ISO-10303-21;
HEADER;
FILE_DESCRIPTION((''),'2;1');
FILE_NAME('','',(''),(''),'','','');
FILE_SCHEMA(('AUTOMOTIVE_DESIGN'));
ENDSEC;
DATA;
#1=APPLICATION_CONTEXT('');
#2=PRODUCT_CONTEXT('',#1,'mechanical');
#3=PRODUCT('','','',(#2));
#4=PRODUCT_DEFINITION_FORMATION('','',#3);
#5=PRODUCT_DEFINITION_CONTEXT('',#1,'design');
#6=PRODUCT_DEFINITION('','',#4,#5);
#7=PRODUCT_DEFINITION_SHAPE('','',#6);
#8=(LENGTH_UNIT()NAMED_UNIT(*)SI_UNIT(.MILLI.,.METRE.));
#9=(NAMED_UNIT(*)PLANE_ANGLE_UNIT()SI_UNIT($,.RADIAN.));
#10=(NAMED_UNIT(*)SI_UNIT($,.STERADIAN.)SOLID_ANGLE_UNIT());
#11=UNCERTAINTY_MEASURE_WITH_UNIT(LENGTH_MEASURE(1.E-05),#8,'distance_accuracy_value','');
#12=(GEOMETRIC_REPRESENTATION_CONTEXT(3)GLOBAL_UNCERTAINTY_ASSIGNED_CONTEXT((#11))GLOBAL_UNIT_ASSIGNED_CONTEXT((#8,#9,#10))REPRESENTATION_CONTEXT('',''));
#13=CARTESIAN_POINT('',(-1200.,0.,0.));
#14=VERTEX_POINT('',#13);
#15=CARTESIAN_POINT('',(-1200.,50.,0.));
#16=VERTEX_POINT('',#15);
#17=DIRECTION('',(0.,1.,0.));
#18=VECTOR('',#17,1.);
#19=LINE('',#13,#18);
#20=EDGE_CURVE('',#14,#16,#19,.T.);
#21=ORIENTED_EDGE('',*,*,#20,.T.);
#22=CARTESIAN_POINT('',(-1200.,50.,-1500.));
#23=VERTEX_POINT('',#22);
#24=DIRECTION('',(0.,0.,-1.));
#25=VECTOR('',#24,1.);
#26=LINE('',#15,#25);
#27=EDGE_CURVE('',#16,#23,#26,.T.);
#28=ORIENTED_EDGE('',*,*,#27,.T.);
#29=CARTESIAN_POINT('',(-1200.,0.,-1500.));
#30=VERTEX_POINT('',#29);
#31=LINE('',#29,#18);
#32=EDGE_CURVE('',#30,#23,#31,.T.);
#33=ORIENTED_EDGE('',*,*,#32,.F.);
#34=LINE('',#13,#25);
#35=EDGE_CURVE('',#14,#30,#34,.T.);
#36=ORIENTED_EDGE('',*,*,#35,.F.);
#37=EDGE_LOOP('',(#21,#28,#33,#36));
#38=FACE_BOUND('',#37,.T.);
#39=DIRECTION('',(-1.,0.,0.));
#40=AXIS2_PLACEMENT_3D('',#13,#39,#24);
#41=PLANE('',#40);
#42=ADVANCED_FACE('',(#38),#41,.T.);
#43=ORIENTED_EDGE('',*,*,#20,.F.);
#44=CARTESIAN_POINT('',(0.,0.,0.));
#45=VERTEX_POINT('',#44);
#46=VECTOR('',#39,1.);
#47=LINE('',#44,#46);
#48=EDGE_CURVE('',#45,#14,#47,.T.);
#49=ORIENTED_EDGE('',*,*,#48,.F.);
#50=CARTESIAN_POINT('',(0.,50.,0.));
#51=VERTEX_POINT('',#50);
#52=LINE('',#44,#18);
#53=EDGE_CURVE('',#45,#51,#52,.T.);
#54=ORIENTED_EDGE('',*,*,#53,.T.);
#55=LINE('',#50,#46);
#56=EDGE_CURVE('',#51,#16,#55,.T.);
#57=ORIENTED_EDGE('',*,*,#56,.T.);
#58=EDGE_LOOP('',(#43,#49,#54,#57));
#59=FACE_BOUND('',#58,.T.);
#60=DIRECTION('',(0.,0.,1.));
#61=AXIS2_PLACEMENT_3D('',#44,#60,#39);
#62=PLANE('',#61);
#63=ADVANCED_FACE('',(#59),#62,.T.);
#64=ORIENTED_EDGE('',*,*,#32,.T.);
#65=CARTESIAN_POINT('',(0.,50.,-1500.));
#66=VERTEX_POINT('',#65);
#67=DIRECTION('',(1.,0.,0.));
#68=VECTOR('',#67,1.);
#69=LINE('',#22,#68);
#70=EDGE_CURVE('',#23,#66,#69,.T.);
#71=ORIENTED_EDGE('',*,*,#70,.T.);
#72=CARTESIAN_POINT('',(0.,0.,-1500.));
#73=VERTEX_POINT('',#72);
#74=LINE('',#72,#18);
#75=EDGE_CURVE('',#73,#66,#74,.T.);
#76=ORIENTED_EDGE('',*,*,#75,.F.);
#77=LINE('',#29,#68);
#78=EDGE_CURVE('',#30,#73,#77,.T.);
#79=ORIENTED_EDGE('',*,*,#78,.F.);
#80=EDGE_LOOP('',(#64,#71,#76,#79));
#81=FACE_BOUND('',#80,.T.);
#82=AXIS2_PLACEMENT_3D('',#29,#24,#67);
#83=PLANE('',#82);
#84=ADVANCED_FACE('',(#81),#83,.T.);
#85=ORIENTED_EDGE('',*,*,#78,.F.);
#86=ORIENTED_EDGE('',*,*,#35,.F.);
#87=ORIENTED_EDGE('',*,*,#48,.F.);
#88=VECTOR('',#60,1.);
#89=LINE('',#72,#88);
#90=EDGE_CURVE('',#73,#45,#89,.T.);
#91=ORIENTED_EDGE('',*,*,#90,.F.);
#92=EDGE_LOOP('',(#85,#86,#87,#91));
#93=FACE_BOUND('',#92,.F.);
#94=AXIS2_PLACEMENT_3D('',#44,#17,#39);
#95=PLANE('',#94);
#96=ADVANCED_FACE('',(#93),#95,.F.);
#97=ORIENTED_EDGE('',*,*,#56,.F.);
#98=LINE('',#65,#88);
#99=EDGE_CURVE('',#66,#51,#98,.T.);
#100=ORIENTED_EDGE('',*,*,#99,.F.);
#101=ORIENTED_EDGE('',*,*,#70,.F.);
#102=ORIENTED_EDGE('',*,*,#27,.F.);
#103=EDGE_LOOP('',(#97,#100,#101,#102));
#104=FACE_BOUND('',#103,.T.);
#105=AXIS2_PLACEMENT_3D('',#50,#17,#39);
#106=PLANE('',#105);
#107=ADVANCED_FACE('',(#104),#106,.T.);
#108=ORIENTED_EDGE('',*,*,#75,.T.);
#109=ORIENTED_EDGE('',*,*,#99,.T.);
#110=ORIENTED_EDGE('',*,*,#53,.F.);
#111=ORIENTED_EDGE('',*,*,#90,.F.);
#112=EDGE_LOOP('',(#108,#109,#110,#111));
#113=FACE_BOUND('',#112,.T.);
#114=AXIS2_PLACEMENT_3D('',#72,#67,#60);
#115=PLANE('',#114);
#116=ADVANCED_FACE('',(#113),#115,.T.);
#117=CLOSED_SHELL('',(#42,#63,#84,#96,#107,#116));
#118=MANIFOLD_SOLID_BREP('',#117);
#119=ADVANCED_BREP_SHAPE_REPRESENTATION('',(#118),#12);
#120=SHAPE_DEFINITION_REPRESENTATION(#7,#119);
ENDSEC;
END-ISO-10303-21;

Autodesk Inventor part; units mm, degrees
ref_plane "YZ Plane" through (0, 0, 0) normal (1, 0, 0) x (0, 1, 0)
ref_plane "XZ Plane" through (0, 0, 0) normal (0, 1, 0) x (-1, 0, 0)
ref_plane "XY Plane" through (0, 0, 0) normal (0, 0, 1) x (1, 0, 0)
sketch "Sketch1" plane through (0, 0, 0) normal (0, 1, 0) x (-1, 0, 0)
  line L0 (0, 0) -> (1200, 0)
  line L1 (1200, 0) -> (1200, -1500)
  line L2 (1200, -1500) -> (0, -1500)
  line L3 (0, -1500) -> (0, 0)
  dimension "d0" = 1200
  dimension "d1" = 1500
extrude "Extrusion1" add sketch "Sketch1" along normal blind 50
properties part number "InsulatorWallWide" material "Polyethylene, Low Density"
